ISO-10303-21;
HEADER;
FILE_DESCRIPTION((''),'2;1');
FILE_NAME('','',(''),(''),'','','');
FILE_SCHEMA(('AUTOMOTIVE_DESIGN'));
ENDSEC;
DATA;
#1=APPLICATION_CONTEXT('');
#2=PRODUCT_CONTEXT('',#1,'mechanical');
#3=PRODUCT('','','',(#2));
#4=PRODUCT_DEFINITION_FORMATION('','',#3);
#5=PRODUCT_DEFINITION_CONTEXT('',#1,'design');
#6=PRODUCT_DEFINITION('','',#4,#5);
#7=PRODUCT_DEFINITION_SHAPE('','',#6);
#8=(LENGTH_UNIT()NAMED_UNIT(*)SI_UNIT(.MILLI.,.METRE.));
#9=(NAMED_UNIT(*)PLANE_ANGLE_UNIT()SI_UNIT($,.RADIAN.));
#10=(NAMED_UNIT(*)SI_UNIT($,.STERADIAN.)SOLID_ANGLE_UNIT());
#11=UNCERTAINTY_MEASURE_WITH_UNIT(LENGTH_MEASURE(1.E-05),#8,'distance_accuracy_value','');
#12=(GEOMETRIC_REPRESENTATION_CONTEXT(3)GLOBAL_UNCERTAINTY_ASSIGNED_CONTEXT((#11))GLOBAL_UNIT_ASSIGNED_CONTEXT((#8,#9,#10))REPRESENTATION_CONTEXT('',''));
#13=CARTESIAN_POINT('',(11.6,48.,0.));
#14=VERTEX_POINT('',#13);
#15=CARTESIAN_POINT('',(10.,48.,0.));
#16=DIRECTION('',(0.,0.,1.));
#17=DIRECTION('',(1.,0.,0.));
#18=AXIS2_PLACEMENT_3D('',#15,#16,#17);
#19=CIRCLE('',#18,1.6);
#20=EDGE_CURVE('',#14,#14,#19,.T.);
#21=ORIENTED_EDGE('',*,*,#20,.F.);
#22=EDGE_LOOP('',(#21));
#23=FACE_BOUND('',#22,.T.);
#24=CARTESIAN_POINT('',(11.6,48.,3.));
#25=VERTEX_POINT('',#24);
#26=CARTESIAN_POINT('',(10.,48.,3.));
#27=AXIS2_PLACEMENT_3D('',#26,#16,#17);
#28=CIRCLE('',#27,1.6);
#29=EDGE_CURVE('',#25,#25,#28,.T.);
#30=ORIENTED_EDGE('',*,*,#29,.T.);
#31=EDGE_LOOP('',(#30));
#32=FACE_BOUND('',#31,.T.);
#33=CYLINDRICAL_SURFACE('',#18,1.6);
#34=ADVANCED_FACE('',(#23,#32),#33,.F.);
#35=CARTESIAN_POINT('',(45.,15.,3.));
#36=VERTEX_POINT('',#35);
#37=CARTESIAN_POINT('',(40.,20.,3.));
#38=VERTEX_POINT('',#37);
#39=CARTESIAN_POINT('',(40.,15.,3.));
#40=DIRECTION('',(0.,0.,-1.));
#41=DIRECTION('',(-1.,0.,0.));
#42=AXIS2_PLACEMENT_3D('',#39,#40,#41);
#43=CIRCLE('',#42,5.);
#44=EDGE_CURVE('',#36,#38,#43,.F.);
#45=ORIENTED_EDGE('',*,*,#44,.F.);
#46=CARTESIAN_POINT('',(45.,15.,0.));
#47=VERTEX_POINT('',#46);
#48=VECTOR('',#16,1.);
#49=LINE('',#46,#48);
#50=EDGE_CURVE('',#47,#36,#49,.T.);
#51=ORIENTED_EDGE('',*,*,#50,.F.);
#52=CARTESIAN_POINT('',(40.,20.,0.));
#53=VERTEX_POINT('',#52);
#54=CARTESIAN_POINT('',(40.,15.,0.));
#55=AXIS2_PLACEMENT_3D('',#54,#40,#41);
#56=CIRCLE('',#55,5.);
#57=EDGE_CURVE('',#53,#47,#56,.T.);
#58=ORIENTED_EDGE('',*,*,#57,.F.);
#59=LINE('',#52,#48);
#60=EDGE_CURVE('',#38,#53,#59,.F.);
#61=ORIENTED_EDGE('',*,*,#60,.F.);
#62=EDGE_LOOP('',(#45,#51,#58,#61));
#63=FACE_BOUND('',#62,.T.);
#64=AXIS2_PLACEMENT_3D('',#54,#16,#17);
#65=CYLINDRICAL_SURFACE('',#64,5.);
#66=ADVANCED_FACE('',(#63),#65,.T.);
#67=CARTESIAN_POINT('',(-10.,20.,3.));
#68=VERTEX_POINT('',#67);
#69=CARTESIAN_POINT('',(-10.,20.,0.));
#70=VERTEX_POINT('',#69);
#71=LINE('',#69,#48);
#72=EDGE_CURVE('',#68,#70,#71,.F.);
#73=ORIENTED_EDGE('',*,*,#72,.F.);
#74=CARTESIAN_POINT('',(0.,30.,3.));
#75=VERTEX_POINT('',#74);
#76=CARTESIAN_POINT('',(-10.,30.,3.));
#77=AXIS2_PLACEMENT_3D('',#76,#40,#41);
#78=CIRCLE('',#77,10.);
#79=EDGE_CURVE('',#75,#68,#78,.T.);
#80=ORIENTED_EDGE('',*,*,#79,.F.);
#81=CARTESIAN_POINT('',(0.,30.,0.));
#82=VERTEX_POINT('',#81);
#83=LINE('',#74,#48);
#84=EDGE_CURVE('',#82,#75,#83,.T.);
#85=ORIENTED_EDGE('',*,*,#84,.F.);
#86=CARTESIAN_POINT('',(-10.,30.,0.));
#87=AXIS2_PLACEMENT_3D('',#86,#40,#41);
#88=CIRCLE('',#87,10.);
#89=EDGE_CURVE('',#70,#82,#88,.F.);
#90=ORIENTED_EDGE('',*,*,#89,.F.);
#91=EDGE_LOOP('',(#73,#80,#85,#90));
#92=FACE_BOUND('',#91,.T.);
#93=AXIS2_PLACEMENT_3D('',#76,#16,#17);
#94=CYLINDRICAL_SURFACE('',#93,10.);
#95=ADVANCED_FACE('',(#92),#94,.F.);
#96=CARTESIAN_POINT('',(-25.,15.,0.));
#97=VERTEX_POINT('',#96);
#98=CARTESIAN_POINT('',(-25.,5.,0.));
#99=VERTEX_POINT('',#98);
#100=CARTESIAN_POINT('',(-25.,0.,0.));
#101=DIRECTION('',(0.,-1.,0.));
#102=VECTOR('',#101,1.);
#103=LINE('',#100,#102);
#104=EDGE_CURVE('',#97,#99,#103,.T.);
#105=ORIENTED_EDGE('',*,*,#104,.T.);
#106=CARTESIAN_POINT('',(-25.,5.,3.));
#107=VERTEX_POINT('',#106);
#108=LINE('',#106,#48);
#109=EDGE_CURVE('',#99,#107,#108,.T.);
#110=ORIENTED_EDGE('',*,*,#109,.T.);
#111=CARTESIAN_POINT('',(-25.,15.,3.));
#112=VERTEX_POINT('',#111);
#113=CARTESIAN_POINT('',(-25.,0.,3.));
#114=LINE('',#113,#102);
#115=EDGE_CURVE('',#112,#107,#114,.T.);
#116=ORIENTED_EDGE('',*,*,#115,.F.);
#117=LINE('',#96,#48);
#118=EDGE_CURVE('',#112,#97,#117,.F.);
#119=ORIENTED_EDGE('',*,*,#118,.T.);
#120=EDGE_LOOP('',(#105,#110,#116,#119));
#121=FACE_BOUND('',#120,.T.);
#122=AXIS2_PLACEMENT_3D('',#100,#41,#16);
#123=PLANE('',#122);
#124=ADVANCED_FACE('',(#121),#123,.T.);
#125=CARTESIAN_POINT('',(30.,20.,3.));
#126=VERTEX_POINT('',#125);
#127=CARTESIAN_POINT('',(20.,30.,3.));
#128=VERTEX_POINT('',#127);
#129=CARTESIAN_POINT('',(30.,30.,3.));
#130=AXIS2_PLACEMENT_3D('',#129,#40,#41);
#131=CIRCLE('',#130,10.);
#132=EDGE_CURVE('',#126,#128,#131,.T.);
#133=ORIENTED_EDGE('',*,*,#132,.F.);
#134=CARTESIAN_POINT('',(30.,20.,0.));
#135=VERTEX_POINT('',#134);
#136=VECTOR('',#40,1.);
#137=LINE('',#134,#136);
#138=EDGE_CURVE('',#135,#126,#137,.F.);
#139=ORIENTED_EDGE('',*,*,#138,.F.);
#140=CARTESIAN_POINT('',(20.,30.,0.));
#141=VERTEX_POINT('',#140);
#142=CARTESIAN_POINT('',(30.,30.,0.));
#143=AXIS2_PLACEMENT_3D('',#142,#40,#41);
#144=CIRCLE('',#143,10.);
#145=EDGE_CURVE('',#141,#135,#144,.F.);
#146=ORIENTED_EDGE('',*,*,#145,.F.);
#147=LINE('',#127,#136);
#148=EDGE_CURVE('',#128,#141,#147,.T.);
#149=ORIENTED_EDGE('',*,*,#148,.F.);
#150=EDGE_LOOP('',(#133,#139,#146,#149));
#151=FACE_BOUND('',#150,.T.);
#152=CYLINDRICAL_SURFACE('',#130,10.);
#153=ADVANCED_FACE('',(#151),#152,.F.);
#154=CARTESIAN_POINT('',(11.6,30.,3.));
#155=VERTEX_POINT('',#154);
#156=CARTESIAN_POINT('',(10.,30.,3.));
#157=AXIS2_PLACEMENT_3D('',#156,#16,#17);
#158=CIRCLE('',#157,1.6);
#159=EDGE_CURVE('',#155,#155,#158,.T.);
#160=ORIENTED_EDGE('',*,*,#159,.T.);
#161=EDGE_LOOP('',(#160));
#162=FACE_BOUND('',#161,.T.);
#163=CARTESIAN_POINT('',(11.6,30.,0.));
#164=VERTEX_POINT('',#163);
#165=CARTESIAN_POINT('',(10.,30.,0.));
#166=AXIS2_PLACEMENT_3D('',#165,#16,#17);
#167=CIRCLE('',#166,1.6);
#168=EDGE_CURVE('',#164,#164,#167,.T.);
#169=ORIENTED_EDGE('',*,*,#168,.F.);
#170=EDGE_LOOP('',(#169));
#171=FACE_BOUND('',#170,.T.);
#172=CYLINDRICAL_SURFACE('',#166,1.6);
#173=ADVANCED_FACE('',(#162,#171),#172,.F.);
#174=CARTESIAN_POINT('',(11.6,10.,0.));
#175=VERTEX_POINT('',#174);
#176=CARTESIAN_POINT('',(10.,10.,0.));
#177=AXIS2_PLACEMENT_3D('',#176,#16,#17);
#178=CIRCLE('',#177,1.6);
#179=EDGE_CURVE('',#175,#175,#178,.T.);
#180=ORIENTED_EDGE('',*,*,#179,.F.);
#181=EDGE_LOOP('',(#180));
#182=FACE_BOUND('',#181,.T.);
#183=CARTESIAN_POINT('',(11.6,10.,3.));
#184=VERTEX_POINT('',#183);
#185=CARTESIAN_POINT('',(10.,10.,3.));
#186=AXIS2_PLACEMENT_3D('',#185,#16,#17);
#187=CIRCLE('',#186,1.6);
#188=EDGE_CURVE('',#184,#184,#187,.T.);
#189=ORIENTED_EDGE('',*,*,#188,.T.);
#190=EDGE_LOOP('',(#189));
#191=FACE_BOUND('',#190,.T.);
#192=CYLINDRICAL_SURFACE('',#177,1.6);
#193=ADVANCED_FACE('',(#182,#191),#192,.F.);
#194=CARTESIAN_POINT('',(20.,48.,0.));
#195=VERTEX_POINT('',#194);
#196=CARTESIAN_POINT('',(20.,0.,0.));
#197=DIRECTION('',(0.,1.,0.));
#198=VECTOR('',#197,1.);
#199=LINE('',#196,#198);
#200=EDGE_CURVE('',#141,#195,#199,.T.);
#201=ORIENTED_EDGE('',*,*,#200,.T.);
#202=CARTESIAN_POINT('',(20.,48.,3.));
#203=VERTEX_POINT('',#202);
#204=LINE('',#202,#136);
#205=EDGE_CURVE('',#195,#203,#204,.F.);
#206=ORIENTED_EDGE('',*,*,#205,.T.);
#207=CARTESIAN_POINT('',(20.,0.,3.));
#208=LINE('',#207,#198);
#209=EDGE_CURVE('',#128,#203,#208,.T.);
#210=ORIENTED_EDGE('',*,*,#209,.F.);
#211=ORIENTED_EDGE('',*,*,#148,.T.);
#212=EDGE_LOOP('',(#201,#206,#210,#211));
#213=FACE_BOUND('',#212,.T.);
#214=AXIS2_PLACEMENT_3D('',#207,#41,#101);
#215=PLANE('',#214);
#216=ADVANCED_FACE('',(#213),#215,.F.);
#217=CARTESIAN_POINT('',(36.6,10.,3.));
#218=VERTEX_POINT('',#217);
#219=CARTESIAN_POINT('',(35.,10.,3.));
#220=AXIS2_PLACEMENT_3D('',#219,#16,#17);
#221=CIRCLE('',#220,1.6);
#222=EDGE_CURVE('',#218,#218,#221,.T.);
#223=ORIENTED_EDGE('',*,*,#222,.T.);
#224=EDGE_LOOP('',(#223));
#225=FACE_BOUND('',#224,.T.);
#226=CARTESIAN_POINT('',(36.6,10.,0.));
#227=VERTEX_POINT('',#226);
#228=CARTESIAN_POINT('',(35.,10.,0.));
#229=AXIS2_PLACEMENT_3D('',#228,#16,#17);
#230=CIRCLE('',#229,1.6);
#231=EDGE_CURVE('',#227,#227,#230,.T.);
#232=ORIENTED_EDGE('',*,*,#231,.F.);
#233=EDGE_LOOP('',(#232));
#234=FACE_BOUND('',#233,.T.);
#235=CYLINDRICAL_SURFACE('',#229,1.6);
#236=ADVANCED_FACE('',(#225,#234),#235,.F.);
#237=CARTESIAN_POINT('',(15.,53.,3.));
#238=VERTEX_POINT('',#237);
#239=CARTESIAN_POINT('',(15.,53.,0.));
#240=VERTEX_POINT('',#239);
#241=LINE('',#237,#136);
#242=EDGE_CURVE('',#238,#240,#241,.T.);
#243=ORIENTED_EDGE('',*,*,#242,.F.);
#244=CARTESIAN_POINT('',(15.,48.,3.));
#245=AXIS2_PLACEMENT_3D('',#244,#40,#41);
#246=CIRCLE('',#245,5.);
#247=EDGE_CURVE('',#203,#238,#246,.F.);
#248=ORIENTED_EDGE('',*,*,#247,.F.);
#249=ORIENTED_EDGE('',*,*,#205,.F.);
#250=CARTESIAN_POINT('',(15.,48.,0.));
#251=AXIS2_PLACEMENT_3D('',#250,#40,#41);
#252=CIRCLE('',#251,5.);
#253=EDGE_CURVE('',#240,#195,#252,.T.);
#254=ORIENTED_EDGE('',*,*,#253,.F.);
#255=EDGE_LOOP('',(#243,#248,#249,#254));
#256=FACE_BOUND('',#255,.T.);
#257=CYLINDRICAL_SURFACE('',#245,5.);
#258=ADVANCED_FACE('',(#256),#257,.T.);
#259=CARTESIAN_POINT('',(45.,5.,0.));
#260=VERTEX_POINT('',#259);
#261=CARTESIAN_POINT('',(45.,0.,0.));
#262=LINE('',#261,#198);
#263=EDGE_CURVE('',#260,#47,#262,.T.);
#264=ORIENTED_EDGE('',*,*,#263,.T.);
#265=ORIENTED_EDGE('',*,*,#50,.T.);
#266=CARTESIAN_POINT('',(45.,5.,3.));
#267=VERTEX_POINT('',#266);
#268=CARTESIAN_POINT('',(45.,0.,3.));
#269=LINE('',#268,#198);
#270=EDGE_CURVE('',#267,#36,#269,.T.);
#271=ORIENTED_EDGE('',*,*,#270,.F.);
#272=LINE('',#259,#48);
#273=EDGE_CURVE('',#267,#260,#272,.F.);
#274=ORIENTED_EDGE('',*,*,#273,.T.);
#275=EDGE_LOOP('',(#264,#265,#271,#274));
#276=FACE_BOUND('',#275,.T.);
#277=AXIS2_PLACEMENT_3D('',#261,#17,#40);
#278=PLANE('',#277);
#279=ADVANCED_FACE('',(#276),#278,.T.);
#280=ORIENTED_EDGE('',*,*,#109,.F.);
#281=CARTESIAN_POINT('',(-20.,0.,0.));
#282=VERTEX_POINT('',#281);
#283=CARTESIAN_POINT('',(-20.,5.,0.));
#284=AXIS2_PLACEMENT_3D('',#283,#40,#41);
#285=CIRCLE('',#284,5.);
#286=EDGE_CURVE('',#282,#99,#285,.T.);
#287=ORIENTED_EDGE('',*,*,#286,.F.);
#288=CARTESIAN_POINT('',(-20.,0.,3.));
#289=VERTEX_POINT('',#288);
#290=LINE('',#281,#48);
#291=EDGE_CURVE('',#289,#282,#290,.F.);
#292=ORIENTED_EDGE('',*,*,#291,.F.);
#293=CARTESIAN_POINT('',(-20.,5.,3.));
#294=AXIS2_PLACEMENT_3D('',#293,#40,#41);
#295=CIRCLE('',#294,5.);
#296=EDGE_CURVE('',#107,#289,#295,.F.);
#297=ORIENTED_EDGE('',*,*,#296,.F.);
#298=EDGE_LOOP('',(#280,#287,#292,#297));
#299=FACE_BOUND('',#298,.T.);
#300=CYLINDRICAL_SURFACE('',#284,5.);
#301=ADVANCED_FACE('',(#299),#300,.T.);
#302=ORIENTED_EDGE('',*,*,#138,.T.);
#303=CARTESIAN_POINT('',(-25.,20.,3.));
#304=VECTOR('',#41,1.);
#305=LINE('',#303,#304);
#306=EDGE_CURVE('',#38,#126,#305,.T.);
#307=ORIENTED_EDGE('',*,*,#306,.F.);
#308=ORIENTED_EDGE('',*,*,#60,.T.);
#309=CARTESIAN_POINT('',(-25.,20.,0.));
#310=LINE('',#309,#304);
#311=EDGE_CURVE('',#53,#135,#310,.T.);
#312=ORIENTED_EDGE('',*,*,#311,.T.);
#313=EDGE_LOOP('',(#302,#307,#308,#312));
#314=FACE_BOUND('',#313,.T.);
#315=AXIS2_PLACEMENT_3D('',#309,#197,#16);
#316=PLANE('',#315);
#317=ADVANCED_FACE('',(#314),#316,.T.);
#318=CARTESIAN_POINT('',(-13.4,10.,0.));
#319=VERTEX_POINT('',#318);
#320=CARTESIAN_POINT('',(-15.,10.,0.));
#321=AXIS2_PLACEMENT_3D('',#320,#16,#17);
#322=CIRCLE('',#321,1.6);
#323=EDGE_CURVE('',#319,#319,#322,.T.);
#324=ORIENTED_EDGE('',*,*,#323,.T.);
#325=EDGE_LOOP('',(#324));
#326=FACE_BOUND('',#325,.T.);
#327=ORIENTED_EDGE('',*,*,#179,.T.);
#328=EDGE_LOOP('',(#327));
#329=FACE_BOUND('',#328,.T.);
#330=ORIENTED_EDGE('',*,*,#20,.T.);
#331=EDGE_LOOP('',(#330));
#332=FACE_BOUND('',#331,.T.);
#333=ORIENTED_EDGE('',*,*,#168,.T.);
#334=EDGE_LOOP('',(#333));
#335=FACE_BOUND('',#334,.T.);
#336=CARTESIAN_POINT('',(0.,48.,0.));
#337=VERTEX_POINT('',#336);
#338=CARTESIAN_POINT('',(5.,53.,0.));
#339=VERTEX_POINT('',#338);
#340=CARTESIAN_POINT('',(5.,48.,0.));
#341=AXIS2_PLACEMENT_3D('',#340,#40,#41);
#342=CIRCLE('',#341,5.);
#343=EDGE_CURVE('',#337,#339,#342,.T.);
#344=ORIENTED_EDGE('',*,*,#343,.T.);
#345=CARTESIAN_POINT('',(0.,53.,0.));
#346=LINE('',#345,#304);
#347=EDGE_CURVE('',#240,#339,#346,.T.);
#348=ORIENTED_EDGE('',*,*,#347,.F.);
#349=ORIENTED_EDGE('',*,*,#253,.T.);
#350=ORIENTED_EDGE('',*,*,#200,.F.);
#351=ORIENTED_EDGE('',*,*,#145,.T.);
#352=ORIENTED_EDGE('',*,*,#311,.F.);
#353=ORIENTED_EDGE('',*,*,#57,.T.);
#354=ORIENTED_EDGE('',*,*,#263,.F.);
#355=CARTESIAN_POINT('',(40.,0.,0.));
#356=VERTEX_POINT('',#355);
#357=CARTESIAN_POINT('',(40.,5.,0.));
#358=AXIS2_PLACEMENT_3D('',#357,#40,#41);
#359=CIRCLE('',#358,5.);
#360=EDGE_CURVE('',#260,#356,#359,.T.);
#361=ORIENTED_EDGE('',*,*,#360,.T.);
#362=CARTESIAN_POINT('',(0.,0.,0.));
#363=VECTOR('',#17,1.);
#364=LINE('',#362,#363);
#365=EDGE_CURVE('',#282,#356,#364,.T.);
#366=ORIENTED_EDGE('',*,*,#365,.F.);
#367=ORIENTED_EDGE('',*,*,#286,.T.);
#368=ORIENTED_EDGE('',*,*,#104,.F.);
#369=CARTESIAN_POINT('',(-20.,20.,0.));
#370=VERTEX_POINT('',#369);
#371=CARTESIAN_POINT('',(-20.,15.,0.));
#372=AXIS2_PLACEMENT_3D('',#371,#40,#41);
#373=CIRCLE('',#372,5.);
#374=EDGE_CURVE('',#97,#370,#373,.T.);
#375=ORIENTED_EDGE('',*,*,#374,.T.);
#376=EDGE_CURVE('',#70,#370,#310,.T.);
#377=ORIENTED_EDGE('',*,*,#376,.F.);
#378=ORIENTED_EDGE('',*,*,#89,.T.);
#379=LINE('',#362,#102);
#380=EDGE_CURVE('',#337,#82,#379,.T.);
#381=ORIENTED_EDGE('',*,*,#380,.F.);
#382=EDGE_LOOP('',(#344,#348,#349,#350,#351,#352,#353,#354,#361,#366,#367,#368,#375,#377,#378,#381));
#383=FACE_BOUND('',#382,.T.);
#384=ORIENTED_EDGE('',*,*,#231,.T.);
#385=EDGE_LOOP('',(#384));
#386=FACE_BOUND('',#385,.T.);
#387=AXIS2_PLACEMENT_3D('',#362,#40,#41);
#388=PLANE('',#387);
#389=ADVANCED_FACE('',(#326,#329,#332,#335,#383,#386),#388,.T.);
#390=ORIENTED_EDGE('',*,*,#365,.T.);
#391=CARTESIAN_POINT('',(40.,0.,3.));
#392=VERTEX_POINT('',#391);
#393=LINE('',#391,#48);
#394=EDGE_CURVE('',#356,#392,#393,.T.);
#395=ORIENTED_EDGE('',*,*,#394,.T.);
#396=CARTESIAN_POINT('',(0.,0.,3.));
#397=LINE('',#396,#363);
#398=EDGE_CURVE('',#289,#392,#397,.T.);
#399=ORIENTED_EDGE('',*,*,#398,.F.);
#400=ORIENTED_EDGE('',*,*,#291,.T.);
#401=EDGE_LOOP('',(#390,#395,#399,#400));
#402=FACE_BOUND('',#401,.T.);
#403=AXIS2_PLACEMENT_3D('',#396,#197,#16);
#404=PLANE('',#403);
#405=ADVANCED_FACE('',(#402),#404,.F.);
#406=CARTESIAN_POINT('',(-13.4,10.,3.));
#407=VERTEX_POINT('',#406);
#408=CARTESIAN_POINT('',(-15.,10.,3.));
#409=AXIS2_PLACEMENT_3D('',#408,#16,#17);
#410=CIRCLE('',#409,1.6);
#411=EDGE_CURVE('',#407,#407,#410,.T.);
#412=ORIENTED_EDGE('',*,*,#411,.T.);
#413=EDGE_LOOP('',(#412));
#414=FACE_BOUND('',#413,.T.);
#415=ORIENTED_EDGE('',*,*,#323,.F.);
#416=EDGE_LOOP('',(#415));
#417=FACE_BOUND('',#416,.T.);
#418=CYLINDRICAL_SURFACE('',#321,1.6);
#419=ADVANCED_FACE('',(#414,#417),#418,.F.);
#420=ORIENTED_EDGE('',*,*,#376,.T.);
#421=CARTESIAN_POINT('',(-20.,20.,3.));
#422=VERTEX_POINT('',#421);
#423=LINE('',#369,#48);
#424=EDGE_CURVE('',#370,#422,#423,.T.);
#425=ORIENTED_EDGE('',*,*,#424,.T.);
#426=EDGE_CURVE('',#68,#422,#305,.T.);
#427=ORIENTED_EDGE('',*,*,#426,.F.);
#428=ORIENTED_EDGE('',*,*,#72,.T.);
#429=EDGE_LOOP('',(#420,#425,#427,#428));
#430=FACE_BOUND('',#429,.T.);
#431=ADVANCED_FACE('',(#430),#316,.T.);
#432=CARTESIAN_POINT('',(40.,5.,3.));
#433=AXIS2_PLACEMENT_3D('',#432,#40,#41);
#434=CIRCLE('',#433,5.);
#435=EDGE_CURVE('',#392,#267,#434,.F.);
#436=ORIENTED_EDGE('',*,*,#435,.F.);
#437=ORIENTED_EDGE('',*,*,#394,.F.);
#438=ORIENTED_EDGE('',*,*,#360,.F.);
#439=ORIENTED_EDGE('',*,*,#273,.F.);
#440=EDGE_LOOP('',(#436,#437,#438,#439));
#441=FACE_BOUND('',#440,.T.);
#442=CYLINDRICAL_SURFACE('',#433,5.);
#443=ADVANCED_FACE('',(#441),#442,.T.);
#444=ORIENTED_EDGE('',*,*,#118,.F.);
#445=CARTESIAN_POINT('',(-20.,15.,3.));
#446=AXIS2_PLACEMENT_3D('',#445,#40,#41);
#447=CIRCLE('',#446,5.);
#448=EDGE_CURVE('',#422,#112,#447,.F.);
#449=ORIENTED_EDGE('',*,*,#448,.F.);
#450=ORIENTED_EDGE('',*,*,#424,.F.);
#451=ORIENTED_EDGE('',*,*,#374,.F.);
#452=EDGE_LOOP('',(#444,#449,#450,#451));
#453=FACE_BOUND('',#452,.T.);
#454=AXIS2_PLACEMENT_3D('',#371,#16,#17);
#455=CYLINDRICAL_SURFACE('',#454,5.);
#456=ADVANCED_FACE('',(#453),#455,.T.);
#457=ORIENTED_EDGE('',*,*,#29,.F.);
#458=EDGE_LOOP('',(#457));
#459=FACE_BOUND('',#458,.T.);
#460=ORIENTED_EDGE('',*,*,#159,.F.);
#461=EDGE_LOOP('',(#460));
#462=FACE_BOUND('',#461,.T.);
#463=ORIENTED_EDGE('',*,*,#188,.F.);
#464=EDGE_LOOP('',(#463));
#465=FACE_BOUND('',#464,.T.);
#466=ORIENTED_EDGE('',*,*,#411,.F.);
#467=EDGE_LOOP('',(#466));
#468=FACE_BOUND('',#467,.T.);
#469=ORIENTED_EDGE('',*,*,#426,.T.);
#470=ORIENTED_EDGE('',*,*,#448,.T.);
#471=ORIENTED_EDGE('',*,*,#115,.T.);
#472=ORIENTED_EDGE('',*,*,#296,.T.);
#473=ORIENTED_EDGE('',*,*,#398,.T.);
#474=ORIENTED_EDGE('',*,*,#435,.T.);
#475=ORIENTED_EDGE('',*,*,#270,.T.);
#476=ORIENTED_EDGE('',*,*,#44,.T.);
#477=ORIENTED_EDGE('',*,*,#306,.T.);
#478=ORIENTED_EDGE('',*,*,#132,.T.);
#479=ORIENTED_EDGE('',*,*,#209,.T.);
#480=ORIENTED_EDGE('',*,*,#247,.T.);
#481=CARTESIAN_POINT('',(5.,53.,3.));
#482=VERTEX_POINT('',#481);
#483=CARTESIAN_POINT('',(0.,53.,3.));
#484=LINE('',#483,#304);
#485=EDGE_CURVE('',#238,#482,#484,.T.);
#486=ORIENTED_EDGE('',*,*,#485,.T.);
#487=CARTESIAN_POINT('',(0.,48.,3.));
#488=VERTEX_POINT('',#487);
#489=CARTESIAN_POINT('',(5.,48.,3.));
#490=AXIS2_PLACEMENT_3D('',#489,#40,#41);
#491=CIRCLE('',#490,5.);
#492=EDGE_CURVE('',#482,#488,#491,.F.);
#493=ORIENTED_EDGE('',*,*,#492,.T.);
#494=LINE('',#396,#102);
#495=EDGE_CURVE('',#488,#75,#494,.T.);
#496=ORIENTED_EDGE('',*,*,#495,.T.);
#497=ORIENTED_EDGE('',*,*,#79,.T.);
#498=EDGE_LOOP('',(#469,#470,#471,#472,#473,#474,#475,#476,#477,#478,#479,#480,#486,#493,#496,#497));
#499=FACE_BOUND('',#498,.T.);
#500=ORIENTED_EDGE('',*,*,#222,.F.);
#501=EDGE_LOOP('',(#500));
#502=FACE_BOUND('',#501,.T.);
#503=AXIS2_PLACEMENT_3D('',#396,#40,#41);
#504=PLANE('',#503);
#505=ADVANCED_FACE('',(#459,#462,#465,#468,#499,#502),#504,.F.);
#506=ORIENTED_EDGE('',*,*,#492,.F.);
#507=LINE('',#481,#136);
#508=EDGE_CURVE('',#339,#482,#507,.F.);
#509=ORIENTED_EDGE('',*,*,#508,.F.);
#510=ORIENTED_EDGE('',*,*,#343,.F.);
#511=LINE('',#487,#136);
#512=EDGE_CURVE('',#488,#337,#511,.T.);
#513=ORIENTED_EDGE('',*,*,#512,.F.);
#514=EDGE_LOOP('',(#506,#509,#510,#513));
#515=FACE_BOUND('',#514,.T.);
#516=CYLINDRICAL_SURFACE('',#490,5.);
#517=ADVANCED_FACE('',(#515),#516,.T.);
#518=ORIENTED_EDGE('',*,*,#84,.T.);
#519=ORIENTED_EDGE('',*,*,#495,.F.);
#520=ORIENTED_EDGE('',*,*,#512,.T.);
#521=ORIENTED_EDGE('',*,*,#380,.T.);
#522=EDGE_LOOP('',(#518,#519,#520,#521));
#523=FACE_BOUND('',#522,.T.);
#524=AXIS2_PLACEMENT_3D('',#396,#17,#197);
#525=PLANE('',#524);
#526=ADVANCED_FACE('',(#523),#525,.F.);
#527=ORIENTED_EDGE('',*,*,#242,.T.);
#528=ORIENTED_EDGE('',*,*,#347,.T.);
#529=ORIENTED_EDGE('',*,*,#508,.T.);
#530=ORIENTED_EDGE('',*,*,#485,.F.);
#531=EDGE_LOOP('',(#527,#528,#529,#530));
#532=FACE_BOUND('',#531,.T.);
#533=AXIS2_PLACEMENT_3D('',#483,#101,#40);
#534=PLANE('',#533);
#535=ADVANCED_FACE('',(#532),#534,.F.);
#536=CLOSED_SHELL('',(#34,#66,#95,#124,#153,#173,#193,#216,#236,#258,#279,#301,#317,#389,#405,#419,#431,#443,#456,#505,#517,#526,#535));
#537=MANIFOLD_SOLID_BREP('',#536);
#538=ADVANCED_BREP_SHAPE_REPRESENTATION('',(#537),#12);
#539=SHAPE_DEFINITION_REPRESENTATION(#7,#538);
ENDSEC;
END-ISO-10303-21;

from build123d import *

# Parameters (mm, degrees)
SKETCH_1_W          = 20
SKETCH_1_H          = 53
EXTRUDE_1_DEPTH     = 3
SKETCH_2_W          = 70
SKETCH_2_H          = 20
EXTRUDE_2_DEPTH     = 3
SKETCH_3_R          = 1.6
CUT_EXTRUDE_1_DEPTH = 70.591666168
FILLET_1_R          = 10
FILLET_2_R          = 5


with BuildPart() as part:
    # 草图1 → 凸台-拉伸1 (new body)
    with BuildSketch(Plane.XY):
        with Locations((10, 26.5)):
            Rectangle(SKETCH_1_W, SKETCH_1_H)
    extrude(amount=EXTRUDE_1_DEPTH)

    # 草图2 → 凸台-拉伸2 (add)
    with BuildSketch(Plane.XY.offset(3)):
        with Locations((10, 10)):
            Rectangle(SKETCH_2_W, SKETCH_2_H)
    extrude(amount=-EXTRUDE_2_DEPTH)

    # 草图3 → 切除-拉伸1 (cut, through all)
    with BuildSketch(Plane.XY.offset(3)):
        with Locations((10, 48)):
            Circle(SKETCH_3_R)
        with Locations((10, 30)):
            Circle(SKETCH_3_R)
        with Locations((10, 10)):
            Circle(SKETCH_3_R)
        with Locations((-15, 10)):
            Circle(SKETCH_3_R)
        with Locations((35, 10)):
            Circle(SKETCH_3_R)
    extrude(amount=-CUT_EXTRUDE_1_DEPTH, mode=Mode.SUBTRACT)

    # 圆角1
    fillet_1_edges = [part.edges().sort_by_distance(p)[0] for p in [
        (0, 20, 1.5),
        (20, 20, 1.5),
    ]]
    fillet(fillet_1_edges, radius=FILLET_1_R)

    # 圆角2
    fillet_2_edges = [part.edges().sort_by_distance(p)[0] for p in [
        (-25, 20, 1.5),
        (45, 0, 1.5),
        (-25, 0, 1.5),
        (45, 20, 1.5),
        (0, 53, 1.5),
        (20, 53, 1.5),
    ]]
    fillet(fillet_2_edges, radius=FILLET_2_R)


solid = part.part
